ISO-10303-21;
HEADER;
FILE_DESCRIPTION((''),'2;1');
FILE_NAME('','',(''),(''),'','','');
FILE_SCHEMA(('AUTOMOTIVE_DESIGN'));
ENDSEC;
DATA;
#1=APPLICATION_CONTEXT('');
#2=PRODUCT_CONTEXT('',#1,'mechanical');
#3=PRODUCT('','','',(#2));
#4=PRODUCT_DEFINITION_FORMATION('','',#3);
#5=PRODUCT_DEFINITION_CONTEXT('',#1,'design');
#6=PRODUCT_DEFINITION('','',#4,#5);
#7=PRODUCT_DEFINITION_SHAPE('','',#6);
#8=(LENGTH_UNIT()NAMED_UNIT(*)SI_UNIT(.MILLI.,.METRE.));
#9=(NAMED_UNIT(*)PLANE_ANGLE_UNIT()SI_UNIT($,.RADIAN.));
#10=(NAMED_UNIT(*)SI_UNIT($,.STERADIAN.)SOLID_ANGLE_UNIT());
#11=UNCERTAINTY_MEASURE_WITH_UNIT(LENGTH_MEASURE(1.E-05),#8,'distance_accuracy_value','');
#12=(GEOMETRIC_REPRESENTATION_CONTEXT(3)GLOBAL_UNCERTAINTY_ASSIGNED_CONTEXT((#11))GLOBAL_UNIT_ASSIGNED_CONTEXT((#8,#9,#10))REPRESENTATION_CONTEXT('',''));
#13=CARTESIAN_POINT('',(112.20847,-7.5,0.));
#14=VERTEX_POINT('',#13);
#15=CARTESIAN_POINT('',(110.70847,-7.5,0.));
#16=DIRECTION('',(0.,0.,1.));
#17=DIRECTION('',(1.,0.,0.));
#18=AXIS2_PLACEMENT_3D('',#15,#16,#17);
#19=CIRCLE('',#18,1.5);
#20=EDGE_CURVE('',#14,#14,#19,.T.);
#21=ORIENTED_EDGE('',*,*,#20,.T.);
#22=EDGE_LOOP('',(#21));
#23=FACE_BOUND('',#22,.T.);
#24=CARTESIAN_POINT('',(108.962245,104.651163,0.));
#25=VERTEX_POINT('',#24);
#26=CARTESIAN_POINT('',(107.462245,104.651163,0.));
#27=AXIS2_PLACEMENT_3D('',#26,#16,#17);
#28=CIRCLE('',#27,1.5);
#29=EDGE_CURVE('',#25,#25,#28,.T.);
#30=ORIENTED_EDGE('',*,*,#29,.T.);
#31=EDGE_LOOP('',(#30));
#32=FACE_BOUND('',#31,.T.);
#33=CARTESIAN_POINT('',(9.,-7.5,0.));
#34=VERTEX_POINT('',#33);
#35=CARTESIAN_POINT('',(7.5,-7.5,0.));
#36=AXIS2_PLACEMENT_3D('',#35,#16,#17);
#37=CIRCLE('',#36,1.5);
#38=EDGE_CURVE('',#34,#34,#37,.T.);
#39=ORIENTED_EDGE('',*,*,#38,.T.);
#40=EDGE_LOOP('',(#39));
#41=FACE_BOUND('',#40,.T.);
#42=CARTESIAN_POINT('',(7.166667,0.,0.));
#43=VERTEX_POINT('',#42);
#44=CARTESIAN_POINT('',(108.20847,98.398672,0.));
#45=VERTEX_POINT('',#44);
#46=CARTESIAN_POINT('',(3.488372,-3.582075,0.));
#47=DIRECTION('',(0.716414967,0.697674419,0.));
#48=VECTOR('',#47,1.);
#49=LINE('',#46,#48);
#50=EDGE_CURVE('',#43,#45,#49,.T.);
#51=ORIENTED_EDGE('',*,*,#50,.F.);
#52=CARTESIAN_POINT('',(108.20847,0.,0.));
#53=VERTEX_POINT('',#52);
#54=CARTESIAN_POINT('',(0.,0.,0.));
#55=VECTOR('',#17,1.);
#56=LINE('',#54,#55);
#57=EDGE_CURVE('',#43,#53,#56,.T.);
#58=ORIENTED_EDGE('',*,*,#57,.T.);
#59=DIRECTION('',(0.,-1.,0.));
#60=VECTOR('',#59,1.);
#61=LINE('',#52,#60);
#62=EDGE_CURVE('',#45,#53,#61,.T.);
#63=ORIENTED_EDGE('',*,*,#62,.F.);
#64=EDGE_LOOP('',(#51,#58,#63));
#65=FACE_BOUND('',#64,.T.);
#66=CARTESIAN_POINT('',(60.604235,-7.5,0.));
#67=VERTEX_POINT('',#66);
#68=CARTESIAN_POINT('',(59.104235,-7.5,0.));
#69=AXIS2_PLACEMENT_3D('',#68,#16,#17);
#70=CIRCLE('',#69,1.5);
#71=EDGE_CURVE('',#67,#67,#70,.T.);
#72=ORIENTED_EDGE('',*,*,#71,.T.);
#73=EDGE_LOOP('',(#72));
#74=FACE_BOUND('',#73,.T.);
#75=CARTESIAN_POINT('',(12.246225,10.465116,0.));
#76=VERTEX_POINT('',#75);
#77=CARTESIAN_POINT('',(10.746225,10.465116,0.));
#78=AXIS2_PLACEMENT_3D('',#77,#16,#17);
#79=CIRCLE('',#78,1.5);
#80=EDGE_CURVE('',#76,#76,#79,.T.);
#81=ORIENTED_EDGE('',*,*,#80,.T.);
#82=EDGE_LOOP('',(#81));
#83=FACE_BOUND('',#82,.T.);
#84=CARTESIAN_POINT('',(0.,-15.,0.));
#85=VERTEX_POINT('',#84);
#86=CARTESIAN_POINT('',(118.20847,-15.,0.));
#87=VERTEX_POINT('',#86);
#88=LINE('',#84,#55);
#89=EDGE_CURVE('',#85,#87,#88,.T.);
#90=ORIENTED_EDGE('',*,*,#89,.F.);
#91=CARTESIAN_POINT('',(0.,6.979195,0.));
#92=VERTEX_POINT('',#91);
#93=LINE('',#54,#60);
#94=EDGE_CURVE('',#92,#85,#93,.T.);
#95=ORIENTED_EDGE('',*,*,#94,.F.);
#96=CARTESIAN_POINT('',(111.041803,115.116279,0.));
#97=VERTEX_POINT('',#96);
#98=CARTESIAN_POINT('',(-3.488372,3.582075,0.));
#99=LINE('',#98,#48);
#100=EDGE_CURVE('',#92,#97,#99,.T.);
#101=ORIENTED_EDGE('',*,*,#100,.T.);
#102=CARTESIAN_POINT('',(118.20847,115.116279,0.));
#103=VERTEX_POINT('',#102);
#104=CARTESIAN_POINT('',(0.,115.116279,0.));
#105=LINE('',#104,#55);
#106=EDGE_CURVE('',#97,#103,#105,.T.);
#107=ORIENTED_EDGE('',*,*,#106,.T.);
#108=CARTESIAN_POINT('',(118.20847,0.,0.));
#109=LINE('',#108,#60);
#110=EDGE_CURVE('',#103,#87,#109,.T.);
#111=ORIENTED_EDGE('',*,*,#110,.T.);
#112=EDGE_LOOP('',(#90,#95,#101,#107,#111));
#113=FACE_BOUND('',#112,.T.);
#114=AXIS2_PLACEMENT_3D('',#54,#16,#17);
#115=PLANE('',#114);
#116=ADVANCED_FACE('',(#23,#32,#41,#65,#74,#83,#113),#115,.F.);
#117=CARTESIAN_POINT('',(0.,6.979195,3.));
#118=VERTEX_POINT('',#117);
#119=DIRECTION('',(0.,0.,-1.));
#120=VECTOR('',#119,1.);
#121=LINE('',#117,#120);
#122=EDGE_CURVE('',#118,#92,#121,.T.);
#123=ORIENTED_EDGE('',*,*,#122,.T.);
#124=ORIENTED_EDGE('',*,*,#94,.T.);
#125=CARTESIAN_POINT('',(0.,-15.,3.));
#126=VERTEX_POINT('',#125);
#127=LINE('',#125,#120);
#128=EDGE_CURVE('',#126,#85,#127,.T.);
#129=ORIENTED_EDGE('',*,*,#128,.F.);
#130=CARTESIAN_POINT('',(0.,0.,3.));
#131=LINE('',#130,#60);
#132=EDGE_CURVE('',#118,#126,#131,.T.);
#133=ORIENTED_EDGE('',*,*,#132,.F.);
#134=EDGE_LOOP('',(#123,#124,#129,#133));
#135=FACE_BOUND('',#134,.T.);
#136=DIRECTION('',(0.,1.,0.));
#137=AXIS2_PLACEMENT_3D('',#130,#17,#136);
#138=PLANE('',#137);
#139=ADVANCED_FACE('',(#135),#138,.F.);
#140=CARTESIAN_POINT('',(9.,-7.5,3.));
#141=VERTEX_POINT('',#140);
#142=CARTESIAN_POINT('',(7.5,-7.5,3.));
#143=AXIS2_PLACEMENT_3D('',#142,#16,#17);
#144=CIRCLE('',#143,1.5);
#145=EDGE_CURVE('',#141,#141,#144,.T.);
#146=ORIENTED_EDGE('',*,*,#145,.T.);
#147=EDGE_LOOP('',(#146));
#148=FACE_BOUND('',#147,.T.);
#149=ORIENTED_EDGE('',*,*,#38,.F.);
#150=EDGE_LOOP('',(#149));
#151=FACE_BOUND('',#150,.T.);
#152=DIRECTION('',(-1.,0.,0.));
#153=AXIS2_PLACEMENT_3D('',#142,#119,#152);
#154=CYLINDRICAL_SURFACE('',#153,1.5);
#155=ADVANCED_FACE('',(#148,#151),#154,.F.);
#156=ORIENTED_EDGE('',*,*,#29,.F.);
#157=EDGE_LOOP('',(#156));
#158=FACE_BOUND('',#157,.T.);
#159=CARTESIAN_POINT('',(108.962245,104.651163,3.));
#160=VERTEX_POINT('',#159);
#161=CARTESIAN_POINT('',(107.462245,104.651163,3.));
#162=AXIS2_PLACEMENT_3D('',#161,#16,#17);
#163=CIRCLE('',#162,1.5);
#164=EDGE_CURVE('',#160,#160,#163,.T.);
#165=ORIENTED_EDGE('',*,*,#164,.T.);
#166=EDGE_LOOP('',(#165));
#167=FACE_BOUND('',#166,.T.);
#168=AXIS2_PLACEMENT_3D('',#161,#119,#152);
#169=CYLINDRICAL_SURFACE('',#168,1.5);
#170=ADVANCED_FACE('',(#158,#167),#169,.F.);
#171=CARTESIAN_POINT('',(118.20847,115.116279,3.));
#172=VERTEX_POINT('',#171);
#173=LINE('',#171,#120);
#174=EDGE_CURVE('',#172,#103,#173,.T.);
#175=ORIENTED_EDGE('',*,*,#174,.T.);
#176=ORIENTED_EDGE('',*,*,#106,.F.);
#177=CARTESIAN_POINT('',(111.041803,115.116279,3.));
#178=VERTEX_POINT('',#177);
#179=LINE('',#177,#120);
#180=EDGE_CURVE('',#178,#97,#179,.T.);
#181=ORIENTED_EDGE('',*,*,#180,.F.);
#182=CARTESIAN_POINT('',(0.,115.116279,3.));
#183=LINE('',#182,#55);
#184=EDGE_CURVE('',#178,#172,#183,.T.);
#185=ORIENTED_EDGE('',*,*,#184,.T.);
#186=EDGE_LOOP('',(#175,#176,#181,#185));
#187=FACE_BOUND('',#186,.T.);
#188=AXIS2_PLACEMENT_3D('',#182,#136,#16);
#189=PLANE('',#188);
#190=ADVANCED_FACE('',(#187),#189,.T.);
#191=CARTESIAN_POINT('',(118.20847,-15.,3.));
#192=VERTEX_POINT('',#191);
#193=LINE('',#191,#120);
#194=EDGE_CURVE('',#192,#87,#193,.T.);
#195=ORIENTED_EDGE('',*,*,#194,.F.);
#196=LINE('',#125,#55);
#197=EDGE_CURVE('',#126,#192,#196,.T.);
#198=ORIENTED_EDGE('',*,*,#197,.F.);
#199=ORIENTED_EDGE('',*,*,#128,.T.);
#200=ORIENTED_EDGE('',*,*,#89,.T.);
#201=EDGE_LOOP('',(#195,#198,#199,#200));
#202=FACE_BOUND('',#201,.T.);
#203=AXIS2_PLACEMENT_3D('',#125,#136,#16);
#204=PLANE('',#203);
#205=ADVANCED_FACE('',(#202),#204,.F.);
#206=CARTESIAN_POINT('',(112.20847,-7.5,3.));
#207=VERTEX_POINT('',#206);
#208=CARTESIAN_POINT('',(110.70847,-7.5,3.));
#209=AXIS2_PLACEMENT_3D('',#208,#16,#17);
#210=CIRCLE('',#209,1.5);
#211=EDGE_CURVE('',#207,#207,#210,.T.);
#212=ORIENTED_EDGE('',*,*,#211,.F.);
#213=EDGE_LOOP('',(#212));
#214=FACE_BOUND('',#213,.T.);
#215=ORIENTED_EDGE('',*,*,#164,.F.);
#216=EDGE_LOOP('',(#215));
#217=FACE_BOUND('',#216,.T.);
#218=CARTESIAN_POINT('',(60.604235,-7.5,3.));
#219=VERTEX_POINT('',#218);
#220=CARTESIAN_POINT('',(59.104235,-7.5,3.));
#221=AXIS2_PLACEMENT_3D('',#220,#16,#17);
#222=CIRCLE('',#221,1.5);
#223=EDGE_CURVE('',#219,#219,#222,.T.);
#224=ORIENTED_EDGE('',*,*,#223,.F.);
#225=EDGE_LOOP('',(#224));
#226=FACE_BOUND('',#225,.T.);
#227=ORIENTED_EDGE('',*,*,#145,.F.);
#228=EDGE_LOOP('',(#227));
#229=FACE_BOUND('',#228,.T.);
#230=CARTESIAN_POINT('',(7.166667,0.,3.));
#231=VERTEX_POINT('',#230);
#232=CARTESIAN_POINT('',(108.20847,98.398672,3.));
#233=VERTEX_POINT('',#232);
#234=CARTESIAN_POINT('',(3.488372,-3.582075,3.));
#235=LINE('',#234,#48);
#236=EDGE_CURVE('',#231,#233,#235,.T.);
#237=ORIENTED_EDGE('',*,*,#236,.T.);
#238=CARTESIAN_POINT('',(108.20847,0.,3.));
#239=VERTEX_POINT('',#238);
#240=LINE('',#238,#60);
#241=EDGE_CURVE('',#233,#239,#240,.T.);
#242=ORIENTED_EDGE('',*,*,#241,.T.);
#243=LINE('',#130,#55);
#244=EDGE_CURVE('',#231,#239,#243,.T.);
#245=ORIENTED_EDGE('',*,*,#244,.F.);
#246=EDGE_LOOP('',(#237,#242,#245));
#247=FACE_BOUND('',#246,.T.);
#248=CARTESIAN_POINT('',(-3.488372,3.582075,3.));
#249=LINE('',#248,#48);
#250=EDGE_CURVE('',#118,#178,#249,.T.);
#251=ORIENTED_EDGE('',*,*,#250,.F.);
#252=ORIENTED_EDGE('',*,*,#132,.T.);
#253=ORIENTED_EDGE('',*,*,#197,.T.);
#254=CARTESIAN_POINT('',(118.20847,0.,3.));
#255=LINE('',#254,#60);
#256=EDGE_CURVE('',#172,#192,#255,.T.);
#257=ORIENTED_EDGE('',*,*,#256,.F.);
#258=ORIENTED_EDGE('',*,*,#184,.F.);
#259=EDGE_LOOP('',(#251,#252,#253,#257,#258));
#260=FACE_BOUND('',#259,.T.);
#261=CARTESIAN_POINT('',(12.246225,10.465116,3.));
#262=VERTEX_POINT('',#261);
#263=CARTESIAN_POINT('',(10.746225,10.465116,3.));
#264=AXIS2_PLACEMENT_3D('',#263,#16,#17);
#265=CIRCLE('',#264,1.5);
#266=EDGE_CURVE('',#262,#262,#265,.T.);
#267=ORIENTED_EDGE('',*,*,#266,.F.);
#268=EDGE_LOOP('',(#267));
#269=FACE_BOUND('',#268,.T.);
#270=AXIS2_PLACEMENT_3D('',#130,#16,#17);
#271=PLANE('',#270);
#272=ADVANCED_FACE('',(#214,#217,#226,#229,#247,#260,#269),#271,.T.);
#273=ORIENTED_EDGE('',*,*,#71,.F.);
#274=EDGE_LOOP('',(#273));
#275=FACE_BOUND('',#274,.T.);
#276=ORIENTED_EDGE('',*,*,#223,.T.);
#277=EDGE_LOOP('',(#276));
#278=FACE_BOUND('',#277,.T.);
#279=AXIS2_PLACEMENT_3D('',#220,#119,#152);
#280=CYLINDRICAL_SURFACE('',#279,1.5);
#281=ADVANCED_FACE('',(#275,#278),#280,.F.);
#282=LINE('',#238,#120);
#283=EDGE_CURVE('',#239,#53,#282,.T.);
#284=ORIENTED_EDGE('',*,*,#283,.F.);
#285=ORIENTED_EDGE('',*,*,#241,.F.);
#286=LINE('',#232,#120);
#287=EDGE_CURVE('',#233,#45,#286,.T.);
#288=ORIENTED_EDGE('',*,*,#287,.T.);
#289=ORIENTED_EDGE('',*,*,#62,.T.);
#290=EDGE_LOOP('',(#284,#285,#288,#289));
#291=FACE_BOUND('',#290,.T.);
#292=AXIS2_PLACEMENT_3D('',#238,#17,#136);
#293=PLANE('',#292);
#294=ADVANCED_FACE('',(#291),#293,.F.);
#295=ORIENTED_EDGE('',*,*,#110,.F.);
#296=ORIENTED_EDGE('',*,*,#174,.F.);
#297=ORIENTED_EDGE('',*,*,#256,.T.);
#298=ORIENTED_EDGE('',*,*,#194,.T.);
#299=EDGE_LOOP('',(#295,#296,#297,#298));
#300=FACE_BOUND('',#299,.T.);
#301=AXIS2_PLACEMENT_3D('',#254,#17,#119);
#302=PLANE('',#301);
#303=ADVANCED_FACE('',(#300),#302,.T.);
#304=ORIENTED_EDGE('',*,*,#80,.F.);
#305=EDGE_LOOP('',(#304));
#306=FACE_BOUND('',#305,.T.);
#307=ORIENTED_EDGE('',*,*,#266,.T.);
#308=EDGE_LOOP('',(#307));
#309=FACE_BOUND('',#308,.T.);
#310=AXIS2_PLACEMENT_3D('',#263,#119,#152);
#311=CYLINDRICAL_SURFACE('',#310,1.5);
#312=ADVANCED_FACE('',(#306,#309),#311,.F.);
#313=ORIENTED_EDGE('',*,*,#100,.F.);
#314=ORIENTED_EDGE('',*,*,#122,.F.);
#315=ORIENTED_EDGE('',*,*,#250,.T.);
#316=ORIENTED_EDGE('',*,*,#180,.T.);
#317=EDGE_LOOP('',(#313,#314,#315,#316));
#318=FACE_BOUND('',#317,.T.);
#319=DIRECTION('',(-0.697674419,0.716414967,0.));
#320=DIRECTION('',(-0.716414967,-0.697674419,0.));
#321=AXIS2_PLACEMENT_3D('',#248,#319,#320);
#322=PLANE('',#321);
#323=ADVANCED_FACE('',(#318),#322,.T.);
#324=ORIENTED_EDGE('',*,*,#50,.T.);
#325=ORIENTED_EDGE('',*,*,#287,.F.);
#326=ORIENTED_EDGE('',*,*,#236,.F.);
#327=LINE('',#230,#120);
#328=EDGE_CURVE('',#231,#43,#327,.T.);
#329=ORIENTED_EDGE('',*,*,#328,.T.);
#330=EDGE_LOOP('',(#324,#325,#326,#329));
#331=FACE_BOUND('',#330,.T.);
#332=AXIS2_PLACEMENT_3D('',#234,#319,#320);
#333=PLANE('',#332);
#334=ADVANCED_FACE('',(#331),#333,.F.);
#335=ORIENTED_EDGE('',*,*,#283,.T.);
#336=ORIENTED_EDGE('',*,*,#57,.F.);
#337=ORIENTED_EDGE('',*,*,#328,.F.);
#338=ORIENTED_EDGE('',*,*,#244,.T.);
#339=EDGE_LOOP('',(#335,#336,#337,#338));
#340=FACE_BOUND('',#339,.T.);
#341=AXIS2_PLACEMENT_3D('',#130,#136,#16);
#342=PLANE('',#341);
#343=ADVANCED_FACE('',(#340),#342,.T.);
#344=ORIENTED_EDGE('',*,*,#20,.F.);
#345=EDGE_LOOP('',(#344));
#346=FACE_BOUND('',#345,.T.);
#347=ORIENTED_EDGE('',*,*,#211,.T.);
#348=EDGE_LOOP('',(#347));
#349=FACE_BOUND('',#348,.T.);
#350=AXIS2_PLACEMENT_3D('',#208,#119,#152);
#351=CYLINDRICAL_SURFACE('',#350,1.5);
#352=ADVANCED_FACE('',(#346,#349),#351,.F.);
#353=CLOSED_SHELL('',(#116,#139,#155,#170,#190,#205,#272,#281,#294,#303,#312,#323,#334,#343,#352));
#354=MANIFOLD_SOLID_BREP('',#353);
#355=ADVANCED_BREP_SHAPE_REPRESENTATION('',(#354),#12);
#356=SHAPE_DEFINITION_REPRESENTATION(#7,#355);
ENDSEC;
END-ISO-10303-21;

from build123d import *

# Parameters (mm, degrees)
SKETCH2_R           = 1.5
BOSS_EXTRUDE1_DEPTH = 3


with BuildPart() as part:
    # Sketch2 → Boss-Extrude1 (new body)
    with BuildSketch(Plane.XY):
        Polygon((0, 6.979195336), (0, -15), (118.208469634, -15), (118.208469634, 115.11627907), (111.041802967, 115.11627907), align=None)
        Polygon((108.208469634, 0), (7.166666667, 0), (108.208469634, 98.398671636), align=None, mode=Mode.SUBTRACT)
        with Locations((107.462245122, 104.651162791)):
            Circle(SKETCH2_R, mode=Mode.SUBTRACT)
        with Locations((10.746224512, 10.465116279)):
            Circle(SKETCH2_R, mode=Mode.SUBTRACT)
        with Locations((110.708469634, -7.5)):
            Circle(SKETCH2_R, mode=Mode.SUBTRACT)
        with Locations((7.5, -7.5)):
            Circle(SKETCH2_R, mode=Mode.SUBTRACT)
        with Locations((59.104234817, -7.5)):
            Circle(SKETCH2_R, mode=Mode.SUBTRACT)
    extrude(amount=BOSS_EXTRUDE1_DEPTH)


solid = part.part
